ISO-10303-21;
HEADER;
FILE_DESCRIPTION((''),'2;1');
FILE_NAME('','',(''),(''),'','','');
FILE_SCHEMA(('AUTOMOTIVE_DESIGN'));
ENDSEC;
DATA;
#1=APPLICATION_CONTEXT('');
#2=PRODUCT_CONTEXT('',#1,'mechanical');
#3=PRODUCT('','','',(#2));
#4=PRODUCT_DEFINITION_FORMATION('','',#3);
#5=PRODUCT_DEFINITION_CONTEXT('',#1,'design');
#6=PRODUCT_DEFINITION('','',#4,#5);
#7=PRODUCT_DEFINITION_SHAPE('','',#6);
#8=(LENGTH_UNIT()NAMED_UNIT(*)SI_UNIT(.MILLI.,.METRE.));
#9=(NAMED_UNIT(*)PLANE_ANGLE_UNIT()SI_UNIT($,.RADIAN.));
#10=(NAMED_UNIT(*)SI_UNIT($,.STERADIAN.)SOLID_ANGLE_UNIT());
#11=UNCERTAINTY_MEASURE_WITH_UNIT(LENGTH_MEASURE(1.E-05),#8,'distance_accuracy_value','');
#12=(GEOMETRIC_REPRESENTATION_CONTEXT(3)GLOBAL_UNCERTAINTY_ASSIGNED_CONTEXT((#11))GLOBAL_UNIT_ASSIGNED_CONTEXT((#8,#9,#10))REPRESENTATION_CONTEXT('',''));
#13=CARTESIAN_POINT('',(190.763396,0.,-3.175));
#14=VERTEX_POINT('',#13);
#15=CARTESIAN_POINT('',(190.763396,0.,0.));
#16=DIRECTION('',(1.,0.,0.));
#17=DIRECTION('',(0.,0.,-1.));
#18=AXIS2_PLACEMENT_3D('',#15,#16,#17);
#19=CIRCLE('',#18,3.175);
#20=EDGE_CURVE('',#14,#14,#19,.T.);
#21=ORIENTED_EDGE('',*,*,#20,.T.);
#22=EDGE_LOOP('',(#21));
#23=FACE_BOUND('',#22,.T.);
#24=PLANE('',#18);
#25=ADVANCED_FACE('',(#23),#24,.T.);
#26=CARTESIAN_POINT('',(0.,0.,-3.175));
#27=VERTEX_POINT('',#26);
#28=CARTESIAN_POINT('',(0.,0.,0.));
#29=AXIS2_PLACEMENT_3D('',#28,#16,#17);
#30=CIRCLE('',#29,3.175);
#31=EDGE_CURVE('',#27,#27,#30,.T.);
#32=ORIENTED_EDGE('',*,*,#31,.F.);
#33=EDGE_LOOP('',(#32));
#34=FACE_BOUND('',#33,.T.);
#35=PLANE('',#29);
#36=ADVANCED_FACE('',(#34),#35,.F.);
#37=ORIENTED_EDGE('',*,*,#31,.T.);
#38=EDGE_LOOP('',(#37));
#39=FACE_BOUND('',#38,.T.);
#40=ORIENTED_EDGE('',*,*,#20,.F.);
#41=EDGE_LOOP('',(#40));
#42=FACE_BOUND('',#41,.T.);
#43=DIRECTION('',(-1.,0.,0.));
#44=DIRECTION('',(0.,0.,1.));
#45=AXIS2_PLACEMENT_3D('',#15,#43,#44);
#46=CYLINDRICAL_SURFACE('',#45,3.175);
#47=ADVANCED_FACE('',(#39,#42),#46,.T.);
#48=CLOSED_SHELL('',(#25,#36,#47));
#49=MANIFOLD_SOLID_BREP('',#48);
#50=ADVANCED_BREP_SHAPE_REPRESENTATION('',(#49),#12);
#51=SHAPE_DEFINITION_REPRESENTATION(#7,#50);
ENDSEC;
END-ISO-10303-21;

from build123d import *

# Parameters (mm, degrees)
SKETCH1_R           = 3.175
BOSS_EXTRUDE1_DEPTH = 190.763396412


with BuildPart() as part:
    # Sketch1 → Boss-Extrude1 (new body)
    with BuildSketch(Plane.YZ):
        with Locations(Location((0, 0, 0), (0, 0, 270))):
            Circle(SKETCH1_R)
    extrude(amount=BOSS_EXTRUDE1_DEPTH)


solid = part.part
